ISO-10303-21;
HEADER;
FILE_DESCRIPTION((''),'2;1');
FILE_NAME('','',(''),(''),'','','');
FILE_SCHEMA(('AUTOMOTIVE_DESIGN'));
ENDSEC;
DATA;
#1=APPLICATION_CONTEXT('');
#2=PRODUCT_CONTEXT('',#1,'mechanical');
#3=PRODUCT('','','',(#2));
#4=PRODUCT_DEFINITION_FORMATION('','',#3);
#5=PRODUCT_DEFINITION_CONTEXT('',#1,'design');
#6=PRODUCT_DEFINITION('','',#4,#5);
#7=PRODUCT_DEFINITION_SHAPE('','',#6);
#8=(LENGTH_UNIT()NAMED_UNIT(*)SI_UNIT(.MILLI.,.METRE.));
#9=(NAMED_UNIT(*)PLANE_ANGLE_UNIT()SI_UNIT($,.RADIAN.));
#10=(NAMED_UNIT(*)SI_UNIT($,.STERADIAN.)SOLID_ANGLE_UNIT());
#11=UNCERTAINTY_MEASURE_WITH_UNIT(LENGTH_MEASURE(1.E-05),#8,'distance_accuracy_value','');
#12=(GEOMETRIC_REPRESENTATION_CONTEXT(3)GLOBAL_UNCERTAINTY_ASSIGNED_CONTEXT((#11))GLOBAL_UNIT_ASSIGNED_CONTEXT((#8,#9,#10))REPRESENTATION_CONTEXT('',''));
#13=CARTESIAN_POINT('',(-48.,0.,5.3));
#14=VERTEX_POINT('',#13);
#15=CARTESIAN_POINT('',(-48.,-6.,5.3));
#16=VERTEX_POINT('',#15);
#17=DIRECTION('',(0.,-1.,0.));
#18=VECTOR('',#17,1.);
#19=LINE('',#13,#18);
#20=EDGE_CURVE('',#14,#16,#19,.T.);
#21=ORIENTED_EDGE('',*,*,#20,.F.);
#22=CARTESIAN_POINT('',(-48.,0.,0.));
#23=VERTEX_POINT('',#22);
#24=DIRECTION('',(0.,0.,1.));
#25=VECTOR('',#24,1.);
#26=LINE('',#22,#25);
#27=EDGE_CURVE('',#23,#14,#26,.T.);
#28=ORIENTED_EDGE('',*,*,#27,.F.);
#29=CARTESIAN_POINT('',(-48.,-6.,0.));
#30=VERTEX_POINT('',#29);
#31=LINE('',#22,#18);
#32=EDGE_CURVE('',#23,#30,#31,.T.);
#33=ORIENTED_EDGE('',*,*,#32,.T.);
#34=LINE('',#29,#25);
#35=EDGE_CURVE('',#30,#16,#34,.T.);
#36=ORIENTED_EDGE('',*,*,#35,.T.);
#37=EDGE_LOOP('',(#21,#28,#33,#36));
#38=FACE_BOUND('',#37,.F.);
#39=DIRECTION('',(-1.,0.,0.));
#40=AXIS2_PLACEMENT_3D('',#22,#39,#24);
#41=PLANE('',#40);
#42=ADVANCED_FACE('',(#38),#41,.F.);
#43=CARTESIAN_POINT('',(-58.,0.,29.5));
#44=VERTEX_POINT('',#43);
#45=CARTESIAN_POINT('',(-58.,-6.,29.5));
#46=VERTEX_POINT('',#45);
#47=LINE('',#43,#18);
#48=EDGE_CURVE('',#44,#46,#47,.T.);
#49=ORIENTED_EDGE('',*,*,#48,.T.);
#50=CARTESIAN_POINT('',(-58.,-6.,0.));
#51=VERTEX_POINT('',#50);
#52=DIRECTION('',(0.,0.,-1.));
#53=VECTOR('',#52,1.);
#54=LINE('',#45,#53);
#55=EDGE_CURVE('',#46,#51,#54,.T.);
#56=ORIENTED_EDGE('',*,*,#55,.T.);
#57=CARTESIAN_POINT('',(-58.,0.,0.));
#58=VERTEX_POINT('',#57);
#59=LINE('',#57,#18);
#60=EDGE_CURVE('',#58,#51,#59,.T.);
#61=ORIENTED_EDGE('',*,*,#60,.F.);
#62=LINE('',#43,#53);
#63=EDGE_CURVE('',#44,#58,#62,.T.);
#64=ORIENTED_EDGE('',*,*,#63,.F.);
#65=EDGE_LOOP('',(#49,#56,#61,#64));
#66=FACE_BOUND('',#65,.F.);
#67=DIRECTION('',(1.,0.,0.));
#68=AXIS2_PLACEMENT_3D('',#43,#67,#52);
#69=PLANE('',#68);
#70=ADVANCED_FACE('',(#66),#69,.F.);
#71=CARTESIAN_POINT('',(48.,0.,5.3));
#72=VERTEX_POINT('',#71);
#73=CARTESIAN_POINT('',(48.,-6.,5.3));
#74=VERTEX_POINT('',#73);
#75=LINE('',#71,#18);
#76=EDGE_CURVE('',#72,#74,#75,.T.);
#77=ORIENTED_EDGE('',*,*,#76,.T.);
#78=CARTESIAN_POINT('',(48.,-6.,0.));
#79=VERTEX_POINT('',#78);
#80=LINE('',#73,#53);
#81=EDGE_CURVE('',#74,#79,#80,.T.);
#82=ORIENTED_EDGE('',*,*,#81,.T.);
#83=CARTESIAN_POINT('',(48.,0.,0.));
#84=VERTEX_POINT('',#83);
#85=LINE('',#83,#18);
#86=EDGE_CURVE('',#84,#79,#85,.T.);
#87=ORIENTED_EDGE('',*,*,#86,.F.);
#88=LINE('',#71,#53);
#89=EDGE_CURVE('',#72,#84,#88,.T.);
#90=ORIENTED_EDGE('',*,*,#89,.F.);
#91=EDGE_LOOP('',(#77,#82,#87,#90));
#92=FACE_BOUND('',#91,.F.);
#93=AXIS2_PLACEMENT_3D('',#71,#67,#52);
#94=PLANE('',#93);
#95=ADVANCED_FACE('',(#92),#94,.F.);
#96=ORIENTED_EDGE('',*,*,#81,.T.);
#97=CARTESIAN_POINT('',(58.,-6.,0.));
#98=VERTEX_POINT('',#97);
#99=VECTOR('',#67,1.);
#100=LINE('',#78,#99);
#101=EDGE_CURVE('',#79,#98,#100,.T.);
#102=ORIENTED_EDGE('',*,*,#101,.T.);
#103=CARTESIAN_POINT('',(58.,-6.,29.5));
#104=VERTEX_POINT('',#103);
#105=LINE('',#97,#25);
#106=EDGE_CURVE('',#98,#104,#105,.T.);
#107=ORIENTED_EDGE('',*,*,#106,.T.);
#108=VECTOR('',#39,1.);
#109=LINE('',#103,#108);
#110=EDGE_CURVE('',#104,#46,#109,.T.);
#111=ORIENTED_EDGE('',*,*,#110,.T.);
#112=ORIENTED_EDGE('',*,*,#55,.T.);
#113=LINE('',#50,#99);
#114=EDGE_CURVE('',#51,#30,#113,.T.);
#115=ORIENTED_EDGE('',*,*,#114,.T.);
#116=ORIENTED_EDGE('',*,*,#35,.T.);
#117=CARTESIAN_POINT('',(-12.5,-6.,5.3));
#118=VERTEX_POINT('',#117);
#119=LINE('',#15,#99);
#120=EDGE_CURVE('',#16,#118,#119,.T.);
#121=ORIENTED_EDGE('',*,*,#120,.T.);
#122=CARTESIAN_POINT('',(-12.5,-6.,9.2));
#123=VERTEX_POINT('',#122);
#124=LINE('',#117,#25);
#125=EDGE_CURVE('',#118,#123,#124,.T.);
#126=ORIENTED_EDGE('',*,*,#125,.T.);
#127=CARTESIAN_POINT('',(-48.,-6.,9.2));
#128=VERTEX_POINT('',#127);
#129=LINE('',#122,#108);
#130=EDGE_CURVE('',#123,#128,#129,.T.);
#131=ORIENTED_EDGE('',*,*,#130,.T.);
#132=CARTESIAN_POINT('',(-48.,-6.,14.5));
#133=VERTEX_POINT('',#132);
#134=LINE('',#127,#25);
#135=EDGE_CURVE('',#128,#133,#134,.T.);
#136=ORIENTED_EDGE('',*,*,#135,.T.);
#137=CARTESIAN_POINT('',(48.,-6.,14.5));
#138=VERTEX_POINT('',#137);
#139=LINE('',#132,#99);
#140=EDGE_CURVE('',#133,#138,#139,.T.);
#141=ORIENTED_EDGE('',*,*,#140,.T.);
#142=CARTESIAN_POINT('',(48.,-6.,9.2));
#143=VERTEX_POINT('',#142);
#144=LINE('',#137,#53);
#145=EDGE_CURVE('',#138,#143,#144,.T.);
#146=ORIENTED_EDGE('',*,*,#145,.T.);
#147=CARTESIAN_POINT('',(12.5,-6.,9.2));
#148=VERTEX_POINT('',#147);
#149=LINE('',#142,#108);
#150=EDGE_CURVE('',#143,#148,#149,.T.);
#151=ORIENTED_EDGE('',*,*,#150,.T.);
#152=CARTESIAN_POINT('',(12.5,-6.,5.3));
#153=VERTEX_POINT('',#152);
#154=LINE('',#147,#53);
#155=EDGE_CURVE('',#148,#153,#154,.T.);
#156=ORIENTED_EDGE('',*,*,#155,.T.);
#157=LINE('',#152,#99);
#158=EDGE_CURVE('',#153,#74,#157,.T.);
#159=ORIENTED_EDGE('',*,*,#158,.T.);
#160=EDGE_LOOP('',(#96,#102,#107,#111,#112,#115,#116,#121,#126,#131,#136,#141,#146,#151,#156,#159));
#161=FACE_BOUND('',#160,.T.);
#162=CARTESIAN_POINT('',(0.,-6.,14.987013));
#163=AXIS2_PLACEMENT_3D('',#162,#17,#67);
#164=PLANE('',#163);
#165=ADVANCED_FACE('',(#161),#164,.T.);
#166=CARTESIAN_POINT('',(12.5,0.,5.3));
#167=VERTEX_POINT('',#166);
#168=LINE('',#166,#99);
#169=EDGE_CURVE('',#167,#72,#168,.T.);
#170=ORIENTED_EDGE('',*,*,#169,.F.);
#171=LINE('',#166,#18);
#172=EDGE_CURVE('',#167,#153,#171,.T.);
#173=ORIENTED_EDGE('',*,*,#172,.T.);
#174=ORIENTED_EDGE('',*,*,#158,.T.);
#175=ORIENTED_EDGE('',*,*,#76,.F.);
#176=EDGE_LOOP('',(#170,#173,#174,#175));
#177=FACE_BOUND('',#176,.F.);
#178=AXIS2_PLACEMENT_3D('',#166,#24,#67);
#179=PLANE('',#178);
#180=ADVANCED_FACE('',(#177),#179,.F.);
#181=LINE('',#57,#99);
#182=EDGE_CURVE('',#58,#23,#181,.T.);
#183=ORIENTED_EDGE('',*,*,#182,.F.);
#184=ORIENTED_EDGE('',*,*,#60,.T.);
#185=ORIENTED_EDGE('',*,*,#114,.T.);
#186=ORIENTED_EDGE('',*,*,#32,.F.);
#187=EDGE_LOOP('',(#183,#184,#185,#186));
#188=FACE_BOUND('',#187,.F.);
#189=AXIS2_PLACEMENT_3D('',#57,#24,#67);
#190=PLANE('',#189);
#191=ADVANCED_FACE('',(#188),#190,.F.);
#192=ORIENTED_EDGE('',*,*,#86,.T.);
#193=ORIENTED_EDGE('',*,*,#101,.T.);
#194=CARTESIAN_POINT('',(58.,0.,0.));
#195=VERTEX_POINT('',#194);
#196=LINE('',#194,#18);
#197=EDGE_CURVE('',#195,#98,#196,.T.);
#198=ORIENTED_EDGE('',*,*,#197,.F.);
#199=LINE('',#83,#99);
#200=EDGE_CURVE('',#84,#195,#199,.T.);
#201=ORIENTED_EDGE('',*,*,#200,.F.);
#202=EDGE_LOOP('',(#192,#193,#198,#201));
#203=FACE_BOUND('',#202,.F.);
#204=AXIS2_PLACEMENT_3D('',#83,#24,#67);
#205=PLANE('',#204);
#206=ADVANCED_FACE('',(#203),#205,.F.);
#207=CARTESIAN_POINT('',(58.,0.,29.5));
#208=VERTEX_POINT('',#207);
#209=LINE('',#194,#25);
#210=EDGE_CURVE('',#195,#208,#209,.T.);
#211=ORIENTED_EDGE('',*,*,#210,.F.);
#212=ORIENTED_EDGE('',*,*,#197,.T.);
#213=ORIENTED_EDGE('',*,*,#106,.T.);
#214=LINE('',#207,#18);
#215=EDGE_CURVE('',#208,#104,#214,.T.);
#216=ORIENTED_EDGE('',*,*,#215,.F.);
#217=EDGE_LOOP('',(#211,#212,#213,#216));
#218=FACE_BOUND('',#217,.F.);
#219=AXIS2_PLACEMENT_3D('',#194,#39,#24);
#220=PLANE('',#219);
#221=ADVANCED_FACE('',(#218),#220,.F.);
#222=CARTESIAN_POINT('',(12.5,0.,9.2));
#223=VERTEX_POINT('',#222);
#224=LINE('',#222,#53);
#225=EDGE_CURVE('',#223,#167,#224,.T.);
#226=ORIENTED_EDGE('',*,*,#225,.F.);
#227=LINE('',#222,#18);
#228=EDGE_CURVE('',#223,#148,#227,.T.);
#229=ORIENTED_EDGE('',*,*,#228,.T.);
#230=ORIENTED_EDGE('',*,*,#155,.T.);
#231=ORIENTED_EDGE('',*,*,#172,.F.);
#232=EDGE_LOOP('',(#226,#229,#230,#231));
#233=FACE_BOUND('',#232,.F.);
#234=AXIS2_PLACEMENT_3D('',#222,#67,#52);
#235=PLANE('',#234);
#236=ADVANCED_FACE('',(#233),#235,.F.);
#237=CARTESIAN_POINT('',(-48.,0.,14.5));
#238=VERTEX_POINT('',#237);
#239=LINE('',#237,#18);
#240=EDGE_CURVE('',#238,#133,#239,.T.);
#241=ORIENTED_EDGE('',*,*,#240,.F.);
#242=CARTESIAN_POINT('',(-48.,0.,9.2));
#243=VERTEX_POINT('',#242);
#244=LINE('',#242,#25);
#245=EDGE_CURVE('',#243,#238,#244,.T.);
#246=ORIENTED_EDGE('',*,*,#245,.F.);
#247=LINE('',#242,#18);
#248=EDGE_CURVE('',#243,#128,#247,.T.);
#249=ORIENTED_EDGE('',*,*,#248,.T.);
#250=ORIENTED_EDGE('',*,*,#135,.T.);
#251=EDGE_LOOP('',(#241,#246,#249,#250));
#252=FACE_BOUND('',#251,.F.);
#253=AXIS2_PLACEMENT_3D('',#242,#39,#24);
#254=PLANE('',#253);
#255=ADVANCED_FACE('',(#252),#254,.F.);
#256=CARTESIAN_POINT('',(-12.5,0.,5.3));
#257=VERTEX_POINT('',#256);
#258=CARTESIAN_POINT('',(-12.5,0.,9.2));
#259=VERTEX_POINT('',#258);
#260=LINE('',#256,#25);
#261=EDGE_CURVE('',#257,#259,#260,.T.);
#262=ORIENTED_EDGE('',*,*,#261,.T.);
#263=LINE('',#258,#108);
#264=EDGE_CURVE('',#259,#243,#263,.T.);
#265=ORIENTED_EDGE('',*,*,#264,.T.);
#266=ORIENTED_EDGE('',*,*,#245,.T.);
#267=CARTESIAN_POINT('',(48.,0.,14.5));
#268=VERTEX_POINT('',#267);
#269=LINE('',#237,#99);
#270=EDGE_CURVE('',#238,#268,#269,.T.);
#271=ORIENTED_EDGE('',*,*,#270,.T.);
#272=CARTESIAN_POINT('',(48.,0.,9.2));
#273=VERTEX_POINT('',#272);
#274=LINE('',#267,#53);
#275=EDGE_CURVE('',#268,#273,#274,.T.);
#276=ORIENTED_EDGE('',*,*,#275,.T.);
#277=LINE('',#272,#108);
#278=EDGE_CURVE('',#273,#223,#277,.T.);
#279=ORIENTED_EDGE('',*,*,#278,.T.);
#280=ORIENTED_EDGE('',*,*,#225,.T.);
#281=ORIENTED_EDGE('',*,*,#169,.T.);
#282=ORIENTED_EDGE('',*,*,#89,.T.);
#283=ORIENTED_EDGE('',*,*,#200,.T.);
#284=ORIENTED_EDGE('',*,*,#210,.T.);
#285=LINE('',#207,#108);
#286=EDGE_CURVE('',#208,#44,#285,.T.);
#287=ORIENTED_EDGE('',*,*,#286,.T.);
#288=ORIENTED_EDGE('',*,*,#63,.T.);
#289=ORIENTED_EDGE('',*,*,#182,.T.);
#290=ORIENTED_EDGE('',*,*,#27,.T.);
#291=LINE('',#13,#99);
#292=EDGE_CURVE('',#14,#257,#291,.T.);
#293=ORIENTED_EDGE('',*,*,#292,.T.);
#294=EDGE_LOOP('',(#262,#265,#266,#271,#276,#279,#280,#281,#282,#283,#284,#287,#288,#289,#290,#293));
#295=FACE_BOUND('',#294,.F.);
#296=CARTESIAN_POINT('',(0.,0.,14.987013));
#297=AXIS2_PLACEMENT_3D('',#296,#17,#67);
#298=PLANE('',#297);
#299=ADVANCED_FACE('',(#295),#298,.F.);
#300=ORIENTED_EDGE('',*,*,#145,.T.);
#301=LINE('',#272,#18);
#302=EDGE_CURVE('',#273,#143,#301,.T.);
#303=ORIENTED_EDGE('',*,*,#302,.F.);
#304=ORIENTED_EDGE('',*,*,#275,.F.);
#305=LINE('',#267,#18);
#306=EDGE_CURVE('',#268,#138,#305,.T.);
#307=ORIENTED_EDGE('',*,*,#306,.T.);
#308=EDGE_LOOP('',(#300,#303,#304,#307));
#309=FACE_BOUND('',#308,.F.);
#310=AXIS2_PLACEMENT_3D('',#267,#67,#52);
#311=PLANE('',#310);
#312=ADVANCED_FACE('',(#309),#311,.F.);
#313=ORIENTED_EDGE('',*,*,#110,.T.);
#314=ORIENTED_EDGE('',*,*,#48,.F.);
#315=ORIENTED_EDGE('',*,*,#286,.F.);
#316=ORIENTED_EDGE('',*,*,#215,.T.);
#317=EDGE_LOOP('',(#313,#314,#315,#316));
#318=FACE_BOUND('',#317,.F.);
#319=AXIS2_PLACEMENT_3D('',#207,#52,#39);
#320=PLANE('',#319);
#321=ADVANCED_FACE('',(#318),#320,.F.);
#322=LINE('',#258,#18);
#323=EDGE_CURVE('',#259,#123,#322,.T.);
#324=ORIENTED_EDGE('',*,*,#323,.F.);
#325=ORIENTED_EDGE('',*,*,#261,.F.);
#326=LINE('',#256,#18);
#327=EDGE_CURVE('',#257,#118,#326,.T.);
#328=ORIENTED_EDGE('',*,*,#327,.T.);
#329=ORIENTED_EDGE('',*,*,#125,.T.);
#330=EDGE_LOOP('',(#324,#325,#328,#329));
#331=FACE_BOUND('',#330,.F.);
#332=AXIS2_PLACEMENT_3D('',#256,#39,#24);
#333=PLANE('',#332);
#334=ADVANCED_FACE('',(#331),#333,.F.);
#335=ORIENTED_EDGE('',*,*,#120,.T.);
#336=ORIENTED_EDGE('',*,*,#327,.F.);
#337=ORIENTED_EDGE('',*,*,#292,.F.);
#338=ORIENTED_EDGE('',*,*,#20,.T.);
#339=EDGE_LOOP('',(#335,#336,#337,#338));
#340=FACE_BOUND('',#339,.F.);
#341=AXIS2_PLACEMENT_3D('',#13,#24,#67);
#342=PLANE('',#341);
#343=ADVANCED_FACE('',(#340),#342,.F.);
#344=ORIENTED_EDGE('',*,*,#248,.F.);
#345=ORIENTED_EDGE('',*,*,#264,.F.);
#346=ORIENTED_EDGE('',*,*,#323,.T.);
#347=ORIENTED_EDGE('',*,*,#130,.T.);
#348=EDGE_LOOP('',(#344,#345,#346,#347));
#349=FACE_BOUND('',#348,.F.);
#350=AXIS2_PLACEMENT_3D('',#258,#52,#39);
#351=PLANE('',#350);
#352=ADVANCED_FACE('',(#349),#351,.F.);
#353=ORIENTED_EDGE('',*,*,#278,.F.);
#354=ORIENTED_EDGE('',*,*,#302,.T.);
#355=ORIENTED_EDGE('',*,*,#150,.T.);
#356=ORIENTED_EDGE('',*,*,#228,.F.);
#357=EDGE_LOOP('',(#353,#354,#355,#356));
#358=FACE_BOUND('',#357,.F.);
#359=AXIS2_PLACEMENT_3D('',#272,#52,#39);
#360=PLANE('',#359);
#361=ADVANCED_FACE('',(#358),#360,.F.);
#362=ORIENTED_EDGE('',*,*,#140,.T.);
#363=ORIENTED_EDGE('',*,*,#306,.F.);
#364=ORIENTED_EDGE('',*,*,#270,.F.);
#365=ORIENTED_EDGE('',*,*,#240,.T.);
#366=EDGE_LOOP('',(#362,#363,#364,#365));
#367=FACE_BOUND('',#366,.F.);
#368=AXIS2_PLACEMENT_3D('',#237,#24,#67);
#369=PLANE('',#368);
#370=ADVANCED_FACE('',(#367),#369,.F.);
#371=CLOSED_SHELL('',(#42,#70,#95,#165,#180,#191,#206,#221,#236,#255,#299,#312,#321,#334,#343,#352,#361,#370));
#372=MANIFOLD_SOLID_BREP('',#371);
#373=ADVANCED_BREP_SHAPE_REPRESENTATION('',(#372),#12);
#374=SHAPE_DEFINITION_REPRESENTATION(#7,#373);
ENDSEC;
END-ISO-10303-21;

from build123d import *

# Parameters (mm, degrees)
F1_DEPTH = 6


with BuildPart() as f1:
    # F0 (on Front) → F1 (new body)
    with BuildSketch(Plane.XZ):
        Polygon((-58, 29.5), (-58, 0), (-48, 0), (-48, 5.3), (-12.5, 5.3), (-12.5, 9.2), (-48, 9.2), (-48, 14.5), (0, 14.5), (48, 14.5), (48, 9.2), (12.5, 9.2), (12.5, 5.3), (48, 5.3), (48, 0), (58, 0), (58, 29.5), align=None)
    extrude(amount=F1_DEPTH)


solid = f1.part
